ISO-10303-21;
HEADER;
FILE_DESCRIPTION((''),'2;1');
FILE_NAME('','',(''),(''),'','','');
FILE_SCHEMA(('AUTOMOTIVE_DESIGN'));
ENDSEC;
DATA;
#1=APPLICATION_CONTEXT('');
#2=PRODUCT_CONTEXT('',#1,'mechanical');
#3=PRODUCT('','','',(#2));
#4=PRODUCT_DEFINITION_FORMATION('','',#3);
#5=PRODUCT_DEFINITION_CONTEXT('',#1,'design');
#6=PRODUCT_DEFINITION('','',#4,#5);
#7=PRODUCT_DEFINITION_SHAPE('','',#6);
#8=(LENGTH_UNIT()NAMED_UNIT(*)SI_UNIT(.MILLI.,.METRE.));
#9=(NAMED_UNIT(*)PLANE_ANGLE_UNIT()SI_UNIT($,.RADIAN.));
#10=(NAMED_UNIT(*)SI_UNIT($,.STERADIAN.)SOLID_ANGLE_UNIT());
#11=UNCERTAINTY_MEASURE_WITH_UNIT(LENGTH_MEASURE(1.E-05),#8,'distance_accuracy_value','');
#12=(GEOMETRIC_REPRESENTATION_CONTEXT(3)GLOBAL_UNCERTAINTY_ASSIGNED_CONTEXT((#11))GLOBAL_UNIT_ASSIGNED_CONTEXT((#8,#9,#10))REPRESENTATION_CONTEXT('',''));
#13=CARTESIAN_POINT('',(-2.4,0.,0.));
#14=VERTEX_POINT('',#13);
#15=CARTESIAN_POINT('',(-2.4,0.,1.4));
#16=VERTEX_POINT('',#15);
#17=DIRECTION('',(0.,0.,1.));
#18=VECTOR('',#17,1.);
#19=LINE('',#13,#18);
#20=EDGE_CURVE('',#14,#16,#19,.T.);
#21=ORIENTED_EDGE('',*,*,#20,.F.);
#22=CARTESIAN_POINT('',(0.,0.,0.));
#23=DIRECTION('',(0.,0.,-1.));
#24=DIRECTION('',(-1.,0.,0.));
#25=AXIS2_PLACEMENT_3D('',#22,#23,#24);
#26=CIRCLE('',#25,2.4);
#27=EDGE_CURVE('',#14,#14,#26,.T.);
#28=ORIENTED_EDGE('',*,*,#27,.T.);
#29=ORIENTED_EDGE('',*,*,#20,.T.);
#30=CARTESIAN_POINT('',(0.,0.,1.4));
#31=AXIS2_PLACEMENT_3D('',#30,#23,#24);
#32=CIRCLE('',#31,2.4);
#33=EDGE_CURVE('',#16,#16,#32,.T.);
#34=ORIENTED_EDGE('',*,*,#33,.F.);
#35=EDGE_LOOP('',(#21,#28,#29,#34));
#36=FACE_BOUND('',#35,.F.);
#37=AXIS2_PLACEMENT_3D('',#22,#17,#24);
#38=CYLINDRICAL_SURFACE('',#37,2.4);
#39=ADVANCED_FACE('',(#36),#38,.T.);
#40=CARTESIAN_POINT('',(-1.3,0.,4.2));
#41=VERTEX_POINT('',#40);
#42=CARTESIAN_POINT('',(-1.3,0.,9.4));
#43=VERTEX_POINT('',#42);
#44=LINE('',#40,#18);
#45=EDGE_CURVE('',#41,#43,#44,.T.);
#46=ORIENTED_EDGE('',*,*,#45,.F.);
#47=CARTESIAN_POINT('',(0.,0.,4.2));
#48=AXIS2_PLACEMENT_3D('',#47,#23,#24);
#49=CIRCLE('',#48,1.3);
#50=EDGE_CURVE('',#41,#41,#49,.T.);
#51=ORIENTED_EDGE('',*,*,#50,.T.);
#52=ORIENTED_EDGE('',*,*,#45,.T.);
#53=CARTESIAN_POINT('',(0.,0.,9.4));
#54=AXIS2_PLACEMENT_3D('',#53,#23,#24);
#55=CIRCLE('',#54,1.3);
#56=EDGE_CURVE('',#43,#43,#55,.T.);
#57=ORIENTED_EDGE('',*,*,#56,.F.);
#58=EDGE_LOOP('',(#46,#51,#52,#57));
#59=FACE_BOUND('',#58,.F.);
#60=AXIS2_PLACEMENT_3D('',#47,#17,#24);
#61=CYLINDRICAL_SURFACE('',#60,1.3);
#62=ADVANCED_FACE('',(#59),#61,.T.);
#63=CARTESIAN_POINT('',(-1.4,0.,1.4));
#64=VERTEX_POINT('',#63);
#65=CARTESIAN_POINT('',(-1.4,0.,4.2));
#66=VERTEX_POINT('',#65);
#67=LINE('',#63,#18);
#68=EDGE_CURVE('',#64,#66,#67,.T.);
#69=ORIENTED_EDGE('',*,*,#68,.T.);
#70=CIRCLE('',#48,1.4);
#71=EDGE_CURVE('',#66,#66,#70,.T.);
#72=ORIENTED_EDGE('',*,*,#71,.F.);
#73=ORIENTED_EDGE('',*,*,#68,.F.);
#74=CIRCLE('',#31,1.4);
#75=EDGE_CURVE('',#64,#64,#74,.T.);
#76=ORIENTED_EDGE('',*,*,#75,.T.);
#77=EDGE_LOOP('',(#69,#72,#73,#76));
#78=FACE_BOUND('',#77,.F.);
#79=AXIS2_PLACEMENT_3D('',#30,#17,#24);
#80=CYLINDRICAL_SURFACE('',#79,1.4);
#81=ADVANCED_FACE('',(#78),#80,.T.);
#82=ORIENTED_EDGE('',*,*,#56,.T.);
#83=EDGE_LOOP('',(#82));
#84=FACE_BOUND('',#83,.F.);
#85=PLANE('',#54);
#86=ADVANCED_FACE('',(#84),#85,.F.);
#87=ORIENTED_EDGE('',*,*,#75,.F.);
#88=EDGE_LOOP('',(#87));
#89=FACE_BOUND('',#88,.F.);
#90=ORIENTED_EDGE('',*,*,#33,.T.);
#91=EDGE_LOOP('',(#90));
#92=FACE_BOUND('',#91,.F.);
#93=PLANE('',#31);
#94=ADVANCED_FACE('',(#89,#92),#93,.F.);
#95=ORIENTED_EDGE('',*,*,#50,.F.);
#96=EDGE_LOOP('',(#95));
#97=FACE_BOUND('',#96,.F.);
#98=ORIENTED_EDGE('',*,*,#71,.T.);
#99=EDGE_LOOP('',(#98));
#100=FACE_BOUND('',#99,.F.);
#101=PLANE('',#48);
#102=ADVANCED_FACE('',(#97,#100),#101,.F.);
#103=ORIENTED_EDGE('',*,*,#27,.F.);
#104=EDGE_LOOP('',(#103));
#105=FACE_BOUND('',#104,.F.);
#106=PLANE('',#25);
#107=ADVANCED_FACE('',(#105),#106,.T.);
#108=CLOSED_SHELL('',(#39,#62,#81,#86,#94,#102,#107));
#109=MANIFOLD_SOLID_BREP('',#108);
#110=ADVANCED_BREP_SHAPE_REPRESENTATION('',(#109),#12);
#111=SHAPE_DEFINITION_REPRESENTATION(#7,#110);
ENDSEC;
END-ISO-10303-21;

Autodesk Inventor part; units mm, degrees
ref_plane "YZ Plane" through (0, 0, 0) normal (1, 0, 0) x (0, 1, 0)
ref_plane "XZ Plane" through (0, 0, 0) normal (0, 1, 0) x (-1, 0, 0)
ref_plane "XY Plane" through (0, 0, 0) normal (0, 0, 1) x (1, 0, 0)
sketch "スケッチ1" plane through (0, 0, 0) normal (0, 1, 0) x (-1, 0, 0)
  line L0 (0, 0) -> (2.4, 0)
  line L1 (2.4, 0) -> (2.4, 1.4)
  line L2 (2.4, 1.4) -> (1.4, 1.4)
  line L3 (1.4, 1.4) -> (1.4, 4.2)
  line L4 (1.4, 4.2) -> (1.3, 4.2)
  line L5 (1.3, 4.2) -> (1.3, 9.4)
  line L6 (1.3, 9.4) -> (0, 9.4)
  line L7 (0, 9.4) -> (0, 0)
  dimension "d0" = 1.3
  dimension "d1" = 5.2
  dimension "d2" = 2.8
  dimension "d3" = 1.4
  dimension "d4" = 2.4
  dimension "d5" = 1.4
revolve "回転1" add sketch "スケッチ1" angle 360 about axis through (0, 0, 9.4) along (0, 0, -1)
thread "ねじ1" size "M2.6x0.45" class "6g" standard "ANSI Metric M Profile" full length
properties part number "M2_6-2_8-5_3"
